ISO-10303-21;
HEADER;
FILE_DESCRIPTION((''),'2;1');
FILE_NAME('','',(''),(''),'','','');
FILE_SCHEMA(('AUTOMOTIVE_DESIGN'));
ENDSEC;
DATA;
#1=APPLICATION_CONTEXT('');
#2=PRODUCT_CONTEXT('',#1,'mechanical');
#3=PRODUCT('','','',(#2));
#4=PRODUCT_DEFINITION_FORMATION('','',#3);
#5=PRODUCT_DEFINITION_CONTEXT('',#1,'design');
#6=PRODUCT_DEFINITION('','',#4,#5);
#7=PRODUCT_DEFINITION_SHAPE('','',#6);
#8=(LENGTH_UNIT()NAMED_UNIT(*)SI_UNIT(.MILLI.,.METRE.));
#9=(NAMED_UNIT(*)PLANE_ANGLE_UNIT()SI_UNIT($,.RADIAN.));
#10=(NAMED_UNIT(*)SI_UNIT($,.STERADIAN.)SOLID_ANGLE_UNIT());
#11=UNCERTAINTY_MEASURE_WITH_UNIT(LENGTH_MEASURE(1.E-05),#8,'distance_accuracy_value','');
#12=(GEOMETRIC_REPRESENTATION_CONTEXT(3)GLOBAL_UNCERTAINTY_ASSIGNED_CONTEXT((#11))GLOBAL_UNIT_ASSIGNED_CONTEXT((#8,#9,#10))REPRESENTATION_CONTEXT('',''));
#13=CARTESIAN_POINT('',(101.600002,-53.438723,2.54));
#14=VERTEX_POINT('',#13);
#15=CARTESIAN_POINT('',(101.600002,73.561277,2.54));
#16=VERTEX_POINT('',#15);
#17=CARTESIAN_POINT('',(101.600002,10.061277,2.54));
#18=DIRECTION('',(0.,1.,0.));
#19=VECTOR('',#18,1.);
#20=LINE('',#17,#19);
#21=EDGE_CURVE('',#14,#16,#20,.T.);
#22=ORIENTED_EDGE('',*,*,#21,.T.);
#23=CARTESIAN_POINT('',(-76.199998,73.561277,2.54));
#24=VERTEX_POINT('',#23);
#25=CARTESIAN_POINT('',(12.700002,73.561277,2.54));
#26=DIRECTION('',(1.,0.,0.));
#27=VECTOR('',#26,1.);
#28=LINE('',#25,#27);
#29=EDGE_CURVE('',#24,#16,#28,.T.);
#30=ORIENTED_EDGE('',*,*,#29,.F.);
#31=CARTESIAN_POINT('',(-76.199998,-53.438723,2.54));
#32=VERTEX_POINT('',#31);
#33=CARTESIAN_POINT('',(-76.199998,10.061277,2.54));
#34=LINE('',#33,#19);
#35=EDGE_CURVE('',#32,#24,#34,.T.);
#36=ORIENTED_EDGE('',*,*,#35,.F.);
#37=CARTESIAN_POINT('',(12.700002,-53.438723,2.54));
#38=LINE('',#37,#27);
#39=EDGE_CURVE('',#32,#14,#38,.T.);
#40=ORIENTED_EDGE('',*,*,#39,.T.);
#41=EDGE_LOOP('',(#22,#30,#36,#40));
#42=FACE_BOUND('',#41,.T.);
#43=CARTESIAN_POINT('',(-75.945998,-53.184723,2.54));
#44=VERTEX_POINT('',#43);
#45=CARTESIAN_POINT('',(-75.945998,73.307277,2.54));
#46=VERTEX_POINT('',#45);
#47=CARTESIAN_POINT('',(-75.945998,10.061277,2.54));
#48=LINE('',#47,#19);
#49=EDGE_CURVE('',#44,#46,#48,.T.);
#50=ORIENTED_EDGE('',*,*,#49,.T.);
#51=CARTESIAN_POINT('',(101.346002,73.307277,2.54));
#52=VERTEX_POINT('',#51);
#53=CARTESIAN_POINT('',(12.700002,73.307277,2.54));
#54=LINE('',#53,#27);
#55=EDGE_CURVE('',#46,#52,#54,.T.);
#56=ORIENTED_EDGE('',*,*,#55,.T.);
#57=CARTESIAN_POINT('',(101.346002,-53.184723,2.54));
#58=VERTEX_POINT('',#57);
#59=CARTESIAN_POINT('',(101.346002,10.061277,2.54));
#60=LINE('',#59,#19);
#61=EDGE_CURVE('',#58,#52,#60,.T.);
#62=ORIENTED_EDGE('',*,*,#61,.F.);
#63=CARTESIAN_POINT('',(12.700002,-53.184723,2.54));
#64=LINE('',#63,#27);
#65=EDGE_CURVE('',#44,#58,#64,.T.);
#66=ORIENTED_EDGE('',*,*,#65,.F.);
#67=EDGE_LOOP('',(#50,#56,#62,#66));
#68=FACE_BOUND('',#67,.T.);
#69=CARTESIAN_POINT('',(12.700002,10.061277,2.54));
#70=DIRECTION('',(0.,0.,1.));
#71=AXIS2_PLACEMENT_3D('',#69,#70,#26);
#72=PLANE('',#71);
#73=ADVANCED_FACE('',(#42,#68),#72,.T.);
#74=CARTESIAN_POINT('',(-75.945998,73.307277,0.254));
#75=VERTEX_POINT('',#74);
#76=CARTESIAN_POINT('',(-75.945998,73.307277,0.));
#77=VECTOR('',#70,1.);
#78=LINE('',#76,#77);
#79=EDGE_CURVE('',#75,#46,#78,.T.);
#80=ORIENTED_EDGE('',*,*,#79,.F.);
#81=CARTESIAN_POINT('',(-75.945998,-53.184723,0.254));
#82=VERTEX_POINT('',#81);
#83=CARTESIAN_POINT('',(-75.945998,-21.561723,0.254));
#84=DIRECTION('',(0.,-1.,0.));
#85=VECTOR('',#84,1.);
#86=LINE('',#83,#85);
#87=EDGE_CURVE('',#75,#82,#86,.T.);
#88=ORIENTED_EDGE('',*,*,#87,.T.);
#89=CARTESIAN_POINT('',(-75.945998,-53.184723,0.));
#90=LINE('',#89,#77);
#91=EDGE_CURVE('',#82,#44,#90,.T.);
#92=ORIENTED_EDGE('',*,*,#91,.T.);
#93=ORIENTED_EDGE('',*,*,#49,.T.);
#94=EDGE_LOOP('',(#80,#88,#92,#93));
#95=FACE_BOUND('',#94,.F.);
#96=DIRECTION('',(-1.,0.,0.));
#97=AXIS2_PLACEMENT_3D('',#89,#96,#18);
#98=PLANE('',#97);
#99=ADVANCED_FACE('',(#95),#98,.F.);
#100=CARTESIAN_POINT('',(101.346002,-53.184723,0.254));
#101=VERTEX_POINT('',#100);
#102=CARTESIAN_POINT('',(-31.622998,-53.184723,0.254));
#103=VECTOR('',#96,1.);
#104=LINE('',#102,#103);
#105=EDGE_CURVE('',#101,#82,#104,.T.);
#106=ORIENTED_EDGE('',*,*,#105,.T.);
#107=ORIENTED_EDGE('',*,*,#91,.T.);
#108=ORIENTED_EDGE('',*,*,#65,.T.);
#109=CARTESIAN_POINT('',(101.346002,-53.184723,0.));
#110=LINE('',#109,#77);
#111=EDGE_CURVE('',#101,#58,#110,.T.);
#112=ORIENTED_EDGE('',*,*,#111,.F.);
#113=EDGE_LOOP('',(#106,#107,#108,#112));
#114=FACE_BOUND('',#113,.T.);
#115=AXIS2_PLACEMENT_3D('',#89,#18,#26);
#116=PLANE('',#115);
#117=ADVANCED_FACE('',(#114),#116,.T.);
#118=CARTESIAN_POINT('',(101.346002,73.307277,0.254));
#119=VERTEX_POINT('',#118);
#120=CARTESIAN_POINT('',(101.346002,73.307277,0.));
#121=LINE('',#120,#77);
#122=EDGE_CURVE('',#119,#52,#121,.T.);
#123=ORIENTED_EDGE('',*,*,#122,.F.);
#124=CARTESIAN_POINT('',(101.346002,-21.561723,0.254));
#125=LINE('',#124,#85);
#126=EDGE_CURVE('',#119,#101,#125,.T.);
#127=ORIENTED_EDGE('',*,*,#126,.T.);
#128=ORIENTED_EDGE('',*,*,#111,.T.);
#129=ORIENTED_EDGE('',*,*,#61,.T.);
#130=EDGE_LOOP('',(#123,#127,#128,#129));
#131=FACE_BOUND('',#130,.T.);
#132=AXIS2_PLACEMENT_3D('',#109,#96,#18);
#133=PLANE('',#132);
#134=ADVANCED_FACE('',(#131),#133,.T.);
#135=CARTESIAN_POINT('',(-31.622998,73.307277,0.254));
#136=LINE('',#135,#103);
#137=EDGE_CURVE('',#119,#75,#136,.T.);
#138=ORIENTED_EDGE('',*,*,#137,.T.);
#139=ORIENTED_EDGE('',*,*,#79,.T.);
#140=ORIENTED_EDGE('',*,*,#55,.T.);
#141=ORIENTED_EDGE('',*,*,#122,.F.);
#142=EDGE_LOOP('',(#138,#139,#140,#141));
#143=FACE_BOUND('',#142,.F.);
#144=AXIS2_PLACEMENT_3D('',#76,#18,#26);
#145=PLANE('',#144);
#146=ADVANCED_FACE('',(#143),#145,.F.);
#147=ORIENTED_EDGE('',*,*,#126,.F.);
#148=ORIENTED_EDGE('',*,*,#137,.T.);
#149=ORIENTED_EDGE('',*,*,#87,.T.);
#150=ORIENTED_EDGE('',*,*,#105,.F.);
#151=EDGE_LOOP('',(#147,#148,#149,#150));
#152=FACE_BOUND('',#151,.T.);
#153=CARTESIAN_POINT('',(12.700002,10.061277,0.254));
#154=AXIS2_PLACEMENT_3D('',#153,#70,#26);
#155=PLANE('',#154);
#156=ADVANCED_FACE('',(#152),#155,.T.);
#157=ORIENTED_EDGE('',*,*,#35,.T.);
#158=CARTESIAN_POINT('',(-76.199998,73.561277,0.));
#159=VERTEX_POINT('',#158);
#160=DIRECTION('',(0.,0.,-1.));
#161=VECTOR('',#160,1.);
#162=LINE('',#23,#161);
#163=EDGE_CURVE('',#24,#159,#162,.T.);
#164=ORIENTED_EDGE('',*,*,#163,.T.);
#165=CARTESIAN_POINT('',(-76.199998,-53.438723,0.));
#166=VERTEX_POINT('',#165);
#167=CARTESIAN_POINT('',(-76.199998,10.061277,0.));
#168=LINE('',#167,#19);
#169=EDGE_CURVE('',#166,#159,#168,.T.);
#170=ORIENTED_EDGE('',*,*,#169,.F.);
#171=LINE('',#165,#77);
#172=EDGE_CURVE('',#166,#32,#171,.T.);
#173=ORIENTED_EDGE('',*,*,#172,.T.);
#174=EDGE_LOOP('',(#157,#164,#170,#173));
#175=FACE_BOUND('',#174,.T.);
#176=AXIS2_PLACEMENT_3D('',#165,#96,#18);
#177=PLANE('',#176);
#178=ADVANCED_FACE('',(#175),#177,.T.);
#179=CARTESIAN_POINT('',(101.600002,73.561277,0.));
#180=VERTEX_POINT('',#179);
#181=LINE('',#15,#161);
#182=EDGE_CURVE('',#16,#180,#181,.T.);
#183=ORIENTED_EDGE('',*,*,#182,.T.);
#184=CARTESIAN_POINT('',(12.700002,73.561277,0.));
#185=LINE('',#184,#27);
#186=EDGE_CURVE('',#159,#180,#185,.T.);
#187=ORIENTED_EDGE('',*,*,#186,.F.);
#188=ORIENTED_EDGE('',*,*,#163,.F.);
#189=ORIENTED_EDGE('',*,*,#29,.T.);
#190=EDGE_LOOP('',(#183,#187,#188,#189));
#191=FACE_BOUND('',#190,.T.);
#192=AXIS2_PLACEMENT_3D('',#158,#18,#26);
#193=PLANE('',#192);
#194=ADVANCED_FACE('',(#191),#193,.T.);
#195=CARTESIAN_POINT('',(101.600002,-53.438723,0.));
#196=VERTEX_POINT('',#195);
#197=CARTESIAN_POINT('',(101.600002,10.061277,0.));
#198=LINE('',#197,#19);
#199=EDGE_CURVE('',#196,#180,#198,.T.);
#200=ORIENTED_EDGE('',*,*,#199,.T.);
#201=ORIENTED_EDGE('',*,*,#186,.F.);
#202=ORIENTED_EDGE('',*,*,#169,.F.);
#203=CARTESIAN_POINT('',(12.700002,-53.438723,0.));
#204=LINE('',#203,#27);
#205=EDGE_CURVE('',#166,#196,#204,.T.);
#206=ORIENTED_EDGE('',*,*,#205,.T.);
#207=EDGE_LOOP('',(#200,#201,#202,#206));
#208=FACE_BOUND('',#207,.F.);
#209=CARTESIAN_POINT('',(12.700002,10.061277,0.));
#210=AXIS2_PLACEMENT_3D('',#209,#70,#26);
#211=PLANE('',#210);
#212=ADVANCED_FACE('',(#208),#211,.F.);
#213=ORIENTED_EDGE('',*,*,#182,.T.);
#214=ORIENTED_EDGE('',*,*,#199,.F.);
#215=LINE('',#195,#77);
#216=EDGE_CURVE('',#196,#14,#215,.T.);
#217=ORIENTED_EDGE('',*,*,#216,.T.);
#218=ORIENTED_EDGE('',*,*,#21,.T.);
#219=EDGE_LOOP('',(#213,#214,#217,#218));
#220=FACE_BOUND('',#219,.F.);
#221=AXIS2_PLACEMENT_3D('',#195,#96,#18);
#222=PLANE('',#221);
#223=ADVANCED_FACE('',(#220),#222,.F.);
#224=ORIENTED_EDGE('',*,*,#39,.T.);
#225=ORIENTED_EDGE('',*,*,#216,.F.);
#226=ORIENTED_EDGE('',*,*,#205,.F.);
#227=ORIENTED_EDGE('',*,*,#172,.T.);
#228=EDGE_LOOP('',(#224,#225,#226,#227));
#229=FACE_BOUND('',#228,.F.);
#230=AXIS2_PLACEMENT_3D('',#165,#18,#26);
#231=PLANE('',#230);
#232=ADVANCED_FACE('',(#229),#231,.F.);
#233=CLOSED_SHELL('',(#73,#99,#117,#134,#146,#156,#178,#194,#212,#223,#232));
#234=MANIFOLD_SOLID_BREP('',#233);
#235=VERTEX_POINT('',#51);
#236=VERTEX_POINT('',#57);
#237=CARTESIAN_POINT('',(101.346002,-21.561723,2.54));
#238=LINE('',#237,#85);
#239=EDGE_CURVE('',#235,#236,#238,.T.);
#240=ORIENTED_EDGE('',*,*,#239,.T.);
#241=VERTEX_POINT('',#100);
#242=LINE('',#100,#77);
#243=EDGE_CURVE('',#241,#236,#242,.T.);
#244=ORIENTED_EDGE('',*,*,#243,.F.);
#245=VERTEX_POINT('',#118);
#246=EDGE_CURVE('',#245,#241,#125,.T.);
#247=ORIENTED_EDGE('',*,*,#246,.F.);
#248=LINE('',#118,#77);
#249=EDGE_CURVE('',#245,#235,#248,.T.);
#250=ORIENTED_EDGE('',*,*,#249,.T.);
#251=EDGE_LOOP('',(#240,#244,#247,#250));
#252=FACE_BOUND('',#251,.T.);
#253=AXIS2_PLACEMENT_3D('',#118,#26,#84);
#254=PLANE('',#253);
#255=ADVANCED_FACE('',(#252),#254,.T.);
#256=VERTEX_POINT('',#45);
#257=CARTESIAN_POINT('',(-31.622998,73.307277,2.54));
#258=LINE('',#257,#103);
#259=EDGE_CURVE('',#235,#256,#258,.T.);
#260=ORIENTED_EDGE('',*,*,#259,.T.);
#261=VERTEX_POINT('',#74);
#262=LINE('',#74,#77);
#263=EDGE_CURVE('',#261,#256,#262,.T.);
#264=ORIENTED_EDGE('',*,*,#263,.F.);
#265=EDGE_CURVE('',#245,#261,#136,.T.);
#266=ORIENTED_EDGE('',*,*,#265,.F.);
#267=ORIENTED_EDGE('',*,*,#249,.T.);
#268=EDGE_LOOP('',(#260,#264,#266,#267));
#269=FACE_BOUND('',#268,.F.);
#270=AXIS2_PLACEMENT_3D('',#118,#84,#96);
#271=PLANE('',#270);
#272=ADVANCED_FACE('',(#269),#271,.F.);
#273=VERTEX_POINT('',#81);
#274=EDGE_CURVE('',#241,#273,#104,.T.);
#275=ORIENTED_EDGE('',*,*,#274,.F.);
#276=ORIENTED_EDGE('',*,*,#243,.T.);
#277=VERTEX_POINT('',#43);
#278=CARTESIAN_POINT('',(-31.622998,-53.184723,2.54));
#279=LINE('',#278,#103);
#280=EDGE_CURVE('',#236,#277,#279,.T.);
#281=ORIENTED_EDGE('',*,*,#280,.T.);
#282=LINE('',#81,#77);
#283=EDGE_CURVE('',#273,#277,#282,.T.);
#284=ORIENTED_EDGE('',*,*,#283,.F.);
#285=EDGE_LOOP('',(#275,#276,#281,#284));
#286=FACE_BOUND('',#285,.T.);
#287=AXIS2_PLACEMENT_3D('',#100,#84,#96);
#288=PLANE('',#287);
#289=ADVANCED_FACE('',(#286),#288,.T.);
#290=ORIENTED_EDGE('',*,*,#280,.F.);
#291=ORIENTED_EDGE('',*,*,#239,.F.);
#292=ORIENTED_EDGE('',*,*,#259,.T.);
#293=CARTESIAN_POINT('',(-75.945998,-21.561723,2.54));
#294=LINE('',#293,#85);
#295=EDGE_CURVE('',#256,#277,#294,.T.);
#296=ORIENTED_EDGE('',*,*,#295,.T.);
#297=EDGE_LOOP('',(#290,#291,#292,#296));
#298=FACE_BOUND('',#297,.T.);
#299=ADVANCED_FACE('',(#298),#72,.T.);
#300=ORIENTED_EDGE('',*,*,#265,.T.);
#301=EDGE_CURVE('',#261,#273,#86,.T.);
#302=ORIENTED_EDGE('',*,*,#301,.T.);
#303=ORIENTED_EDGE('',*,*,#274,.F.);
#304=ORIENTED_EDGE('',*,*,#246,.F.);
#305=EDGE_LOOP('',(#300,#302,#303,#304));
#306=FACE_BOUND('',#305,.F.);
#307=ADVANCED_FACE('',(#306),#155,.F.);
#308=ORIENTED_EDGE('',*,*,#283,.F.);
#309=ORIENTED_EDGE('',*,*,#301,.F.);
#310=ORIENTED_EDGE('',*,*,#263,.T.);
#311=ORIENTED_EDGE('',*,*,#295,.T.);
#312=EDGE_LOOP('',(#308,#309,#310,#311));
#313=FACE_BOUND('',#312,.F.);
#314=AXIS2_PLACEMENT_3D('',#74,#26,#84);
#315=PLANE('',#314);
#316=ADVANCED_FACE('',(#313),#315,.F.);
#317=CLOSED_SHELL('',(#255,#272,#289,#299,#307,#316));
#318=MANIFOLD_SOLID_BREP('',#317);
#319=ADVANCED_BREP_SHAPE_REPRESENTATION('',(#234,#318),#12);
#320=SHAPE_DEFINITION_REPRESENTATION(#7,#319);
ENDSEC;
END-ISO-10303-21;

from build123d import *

# Parameters (mm, degrees)
F0_W     = 177.8
F0_H     = 127
F0_W_2   = 177.292
F0_H_2   = 126.492
F1_DEPTH = 0.254
F2_DEPTH = 2.54
F3_DEPTH = 2.286


with BuildPart() as f1:
    # F0 (on Top) → F1 (new body)
    with BuildSketch(Plane.XY):
        with Locations((12.7000018626, 10.0612770415)):
            Rectangle(F0_W, F0_H)
        with Locations((12.7000018626, 10.0612770415)):
            Rectangle(F0_W_2, F0_H_2, mode=Mode.SUBTRACT)
        with Locations((12.7000018626, 10.0612770415)):
            Rectangle(F0_W_2, F0_H_2)
    extrude(amount=F1_DEPTH)

    # F0 (on Top) → F2 (join)
    with BuildSketch(Plane.XY):
        with Locations((12.7000018626, 10.0612770415)):
            Rectangle(F0_W, F0_H)
        with Locations((12.7000018626, 10.0612770415)):
            Rectangle(F0_W_2, F0_H_2, mode=Mode.SUBTRACT)
    extrude(amount=F2_DEPTH)


with BuildPart() as f3:
    # F3 (new, through all): a face of the model
    f3_faces = [f1.part.faces().sort_by_distance(p)[0] for p in [
        (12.7000018626, 10.0612770415, 0.254),
    ]]
    extrude(f3_faces, amount=F3_DEPTH)


solid = Compound([f1.part, f3.part])
